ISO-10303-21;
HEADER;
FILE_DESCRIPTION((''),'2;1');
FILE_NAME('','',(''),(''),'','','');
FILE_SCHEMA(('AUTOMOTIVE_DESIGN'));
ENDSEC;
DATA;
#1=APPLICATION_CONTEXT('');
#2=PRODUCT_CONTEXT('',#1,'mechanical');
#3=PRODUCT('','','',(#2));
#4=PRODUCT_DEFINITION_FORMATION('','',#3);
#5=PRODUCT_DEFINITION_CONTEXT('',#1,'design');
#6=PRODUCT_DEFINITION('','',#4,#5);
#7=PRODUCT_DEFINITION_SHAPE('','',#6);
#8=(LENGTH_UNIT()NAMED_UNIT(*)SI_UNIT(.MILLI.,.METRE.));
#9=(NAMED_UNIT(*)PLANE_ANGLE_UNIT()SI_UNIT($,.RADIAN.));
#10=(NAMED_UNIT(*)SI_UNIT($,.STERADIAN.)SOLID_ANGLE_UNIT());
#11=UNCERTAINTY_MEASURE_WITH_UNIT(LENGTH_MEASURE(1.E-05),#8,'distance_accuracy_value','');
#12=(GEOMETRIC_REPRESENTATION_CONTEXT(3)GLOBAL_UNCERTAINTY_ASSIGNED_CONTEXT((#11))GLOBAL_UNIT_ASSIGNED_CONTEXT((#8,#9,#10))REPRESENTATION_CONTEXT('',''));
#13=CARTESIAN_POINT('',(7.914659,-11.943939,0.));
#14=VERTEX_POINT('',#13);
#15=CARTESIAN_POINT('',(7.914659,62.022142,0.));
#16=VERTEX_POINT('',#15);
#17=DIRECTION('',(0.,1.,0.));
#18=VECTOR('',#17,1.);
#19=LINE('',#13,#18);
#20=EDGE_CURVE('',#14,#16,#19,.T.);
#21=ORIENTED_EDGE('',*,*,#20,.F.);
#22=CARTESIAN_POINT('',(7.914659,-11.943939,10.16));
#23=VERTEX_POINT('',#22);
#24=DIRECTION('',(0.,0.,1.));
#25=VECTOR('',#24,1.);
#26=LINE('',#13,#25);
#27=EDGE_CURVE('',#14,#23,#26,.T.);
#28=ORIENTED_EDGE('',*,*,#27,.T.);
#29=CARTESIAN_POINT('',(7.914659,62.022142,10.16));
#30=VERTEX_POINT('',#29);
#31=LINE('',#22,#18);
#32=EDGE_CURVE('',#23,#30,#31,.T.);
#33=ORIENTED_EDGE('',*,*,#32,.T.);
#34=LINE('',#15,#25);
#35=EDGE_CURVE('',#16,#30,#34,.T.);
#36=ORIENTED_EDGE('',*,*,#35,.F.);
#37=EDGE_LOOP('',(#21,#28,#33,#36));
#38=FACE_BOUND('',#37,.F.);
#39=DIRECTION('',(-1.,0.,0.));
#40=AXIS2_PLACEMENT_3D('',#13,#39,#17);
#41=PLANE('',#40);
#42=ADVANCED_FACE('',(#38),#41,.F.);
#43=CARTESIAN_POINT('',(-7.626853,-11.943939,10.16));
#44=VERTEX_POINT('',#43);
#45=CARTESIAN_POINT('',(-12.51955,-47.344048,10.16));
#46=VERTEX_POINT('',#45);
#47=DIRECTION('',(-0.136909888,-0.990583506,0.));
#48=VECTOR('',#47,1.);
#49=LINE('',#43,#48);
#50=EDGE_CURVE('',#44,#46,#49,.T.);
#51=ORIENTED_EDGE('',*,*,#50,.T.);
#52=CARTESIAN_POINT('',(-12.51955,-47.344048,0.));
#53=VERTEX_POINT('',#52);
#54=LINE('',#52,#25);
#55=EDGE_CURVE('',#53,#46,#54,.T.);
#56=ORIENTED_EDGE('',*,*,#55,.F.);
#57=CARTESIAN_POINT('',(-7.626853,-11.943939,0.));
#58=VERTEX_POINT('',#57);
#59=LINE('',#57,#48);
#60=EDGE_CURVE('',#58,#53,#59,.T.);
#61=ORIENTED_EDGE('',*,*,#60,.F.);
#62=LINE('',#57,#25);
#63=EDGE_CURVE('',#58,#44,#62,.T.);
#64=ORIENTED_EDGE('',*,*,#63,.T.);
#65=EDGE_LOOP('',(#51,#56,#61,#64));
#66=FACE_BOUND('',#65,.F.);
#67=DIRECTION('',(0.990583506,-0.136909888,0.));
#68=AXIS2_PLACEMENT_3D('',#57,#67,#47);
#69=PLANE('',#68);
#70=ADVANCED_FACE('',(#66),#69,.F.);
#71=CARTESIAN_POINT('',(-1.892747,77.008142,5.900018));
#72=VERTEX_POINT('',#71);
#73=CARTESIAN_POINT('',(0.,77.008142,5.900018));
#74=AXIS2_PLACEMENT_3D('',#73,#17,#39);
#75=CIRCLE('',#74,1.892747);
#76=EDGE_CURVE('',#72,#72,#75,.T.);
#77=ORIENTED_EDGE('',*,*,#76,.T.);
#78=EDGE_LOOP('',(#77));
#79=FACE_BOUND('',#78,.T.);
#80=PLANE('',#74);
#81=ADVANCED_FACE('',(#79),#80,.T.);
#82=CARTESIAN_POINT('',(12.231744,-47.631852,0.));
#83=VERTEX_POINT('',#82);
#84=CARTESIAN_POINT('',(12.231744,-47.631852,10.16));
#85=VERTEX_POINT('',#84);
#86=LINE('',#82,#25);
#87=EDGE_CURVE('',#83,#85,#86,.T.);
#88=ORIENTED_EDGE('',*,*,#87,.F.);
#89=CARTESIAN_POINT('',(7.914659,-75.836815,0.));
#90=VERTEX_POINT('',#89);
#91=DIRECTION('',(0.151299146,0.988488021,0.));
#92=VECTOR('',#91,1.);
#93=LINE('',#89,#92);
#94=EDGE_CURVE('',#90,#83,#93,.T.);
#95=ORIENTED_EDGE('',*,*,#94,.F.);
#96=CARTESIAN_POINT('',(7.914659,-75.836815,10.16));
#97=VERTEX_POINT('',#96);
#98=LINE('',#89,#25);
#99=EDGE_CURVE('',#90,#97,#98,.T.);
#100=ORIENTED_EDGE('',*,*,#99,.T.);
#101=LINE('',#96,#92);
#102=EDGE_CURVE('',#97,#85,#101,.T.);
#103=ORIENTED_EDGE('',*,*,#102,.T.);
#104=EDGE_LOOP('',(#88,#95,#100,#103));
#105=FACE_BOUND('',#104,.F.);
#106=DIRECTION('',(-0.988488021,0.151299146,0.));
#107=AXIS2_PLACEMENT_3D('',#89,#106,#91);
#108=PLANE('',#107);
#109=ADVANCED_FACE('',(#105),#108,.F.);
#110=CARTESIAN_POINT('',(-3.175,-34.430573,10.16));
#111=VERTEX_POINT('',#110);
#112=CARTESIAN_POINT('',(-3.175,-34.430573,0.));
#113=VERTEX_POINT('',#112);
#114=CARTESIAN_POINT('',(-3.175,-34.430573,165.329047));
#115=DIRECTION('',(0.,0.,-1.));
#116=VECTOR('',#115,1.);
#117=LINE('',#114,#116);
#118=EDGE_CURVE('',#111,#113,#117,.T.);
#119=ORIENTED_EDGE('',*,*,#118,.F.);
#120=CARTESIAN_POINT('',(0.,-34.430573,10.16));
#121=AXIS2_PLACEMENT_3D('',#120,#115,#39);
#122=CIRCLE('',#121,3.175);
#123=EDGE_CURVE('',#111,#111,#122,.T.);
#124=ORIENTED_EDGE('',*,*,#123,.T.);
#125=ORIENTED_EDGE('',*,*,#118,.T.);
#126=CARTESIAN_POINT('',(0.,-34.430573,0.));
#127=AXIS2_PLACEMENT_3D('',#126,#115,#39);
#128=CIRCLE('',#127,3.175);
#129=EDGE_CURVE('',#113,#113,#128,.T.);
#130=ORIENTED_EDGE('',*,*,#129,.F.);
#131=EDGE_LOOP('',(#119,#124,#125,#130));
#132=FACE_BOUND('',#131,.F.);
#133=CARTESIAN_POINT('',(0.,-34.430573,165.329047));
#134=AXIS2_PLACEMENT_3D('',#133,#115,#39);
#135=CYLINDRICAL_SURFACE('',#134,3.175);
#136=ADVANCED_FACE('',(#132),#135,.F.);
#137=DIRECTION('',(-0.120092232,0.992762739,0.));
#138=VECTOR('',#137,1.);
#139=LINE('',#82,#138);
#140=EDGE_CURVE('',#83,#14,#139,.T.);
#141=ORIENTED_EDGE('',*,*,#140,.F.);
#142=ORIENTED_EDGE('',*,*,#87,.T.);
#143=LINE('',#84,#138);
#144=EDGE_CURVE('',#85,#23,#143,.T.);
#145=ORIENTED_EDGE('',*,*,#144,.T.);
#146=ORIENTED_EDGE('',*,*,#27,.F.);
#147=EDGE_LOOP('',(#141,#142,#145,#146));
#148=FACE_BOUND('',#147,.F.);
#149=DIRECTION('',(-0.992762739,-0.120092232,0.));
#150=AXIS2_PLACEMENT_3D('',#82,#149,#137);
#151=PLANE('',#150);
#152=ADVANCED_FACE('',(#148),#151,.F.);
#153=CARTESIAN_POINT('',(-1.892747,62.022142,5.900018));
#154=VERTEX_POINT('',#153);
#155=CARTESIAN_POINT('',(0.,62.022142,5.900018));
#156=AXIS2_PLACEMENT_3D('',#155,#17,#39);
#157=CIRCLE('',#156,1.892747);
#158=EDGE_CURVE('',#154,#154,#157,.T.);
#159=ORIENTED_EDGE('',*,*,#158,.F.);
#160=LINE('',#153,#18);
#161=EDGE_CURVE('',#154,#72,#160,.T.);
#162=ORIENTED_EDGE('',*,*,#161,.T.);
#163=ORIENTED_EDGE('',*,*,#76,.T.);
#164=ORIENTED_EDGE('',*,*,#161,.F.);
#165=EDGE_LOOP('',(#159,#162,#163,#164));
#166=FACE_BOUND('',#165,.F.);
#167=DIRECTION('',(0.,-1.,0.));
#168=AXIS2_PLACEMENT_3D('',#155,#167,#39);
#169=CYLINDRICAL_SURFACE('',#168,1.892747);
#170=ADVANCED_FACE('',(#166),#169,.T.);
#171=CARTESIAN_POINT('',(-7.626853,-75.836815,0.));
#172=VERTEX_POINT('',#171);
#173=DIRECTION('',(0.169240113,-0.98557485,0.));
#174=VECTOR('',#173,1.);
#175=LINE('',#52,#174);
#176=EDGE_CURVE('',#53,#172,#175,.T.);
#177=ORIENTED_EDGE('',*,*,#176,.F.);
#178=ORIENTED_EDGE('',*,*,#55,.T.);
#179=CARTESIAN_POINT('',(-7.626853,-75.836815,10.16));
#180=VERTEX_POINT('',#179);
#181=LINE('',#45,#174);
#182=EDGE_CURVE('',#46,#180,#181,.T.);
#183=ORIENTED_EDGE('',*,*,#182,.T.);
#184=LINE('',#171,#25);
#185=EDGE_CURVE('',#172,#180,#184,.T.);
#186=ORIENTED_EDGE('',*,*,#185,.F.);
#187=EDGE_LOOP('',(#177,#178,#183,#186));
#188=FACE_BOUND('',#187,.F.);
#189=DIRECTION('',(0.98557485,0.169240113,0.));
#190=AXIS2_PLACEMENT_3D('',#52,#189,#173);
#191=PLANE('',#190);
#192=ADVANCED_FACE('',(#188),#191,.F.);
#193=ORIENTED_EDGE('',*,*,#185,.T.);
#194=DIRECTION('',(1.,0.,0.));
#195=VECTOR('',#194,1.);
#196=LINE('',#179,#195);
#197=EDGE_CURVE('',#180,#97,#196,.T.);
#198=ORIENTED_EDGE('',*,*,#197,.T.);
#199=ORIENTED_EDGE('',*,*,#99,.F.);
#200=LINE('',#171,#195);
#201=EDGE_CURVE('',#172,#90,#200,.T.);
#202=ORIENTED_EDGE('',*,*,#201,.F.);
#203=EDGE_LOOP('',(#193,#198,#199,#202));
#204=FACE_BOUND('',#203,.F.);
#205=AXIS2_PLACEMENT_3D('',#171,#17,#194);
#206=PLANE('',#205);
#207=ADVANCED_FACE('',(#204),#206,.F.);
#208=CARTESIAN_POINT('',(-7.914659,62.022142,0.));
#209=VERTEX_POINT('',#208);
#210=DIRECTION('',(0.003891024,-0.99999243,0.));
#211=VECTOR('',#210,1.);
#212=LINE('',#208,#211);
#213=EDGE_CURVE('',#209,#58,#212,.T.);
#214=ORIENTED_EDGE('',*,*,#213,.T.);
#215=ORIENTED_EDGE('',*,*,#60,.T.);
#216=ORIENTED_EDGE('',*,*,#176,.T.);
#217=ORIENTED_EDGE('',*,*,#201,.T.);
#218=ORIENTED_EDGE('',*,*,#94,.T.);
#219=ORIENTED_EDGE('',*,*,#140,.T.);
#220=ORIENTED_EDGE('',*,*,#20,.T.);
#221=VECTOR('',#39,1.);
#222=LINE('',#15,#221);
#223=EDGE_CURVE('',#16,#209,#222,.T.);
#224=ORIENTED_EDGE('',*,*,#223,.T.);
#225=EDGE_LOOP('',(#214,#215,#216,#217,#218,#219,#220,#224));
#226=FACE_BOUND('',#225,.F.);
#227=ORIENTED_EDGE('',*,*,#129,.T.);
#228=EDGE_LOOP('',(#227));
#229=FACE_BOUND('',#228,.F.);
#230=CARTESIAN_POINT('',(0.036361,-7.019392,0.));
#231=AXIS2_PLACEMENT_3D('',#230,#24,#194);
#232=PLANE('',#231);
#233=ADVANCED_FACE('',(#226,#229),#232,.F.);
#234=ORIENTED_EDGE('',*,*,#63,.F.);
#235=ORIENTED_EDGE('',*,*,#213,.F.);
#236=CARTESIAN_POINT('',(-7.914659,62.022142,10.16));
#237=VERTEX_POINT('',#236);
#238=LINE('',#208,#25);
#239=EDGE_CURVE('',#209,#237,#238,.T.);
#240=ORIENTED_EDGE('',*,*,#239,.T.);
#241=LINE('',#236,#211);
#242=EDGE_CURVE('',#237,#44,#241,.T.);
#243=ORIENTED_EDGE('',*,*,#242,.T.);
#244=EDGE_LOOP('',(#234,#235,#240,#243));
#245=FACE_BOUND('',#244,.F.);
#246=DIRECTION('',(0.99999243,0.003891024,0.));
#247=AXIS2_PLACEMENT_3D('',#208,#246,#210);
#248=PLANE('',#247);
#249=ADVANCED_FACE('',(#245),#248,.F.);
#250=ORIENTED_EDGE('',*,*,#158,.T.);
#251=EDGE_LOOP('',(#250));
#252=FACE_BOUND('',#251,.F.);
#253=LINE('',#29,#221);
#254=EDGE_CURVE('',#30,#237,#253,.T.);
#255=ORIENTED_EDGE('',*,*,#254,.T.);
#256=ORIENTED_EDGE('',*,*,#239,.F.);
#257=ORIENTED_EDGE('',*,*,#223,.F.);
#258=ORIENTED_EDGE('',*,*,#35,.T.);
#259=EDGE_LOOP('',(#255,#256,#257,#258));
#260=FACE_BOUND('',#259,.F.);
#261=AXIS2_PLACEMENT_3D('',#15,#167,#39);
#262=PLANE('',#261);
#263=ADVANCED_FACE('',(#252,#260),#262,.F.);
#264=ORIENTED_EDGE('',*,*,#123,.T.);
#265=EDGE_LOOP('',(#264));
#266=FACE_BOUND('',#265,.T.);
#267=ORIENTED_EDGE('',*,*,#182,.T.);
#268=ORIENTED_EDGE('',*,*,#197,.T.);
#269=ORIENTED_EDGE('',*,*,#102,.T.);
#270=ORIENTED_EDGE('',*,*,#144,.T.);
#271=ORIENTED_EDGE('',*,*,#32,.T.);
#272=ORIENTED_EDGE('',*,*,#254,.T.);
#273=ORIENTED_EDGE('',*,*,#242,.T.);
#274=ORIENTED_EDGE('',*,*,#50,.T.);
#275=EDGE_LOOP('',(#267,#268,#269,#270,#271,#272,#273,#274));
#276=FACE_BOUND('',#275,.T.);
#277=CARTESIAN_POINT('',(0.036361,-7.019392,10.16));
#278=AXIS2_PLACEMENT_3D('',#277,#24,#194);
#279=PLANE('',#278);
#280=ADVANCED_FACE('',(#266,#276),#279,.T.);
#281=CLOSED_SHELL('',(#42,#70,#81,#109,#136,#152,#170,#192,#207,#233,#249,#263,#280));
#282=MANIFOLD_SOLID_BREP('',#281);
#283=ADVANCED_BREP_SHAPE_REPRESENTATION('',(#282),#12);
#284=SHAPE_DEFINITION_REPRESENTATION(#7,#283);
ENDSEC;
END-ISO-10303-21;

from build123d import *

# Parameters (mm, degrees)
F1_DEPTH = 10.16
F2_R     = 1.892747
F3_DEPTH = 14.986
F5_D     = 6.35


with BuildPart() as f1:
    # F0 (on Top) → F1 (new body)
    with BuildSketch(Plane.XY):
        Polygon((7.914659, 62.022142), (-7.914659, 62.022142), (-7.626853, -11.943939), (-12.51955, -47.344048), (-7.626853, -75.836815), (7.914659, -75.836815), (12.231744, -47.631852), (7.914659, -11.943939), align=None)
    extrude(amount=F1_DEPTH)

    # F2 (on face) → F3 (join)
    with BuildSketch(Plane(origin=(0, 62.022142, 0), x_dir=(-1, 0, 0), z_dir=(0, 1, 0))):
        with Locations((0, 5.900018)):
            Circle(F2_R)
    extrude(amount=F3_DEPTH)

    # F5 (through all)
    with Locations(Plane.XY.offset(10.16)):
        with Locations((0, -34.430573)):
            Hole(F5_D / 2)


solid = f1.part
